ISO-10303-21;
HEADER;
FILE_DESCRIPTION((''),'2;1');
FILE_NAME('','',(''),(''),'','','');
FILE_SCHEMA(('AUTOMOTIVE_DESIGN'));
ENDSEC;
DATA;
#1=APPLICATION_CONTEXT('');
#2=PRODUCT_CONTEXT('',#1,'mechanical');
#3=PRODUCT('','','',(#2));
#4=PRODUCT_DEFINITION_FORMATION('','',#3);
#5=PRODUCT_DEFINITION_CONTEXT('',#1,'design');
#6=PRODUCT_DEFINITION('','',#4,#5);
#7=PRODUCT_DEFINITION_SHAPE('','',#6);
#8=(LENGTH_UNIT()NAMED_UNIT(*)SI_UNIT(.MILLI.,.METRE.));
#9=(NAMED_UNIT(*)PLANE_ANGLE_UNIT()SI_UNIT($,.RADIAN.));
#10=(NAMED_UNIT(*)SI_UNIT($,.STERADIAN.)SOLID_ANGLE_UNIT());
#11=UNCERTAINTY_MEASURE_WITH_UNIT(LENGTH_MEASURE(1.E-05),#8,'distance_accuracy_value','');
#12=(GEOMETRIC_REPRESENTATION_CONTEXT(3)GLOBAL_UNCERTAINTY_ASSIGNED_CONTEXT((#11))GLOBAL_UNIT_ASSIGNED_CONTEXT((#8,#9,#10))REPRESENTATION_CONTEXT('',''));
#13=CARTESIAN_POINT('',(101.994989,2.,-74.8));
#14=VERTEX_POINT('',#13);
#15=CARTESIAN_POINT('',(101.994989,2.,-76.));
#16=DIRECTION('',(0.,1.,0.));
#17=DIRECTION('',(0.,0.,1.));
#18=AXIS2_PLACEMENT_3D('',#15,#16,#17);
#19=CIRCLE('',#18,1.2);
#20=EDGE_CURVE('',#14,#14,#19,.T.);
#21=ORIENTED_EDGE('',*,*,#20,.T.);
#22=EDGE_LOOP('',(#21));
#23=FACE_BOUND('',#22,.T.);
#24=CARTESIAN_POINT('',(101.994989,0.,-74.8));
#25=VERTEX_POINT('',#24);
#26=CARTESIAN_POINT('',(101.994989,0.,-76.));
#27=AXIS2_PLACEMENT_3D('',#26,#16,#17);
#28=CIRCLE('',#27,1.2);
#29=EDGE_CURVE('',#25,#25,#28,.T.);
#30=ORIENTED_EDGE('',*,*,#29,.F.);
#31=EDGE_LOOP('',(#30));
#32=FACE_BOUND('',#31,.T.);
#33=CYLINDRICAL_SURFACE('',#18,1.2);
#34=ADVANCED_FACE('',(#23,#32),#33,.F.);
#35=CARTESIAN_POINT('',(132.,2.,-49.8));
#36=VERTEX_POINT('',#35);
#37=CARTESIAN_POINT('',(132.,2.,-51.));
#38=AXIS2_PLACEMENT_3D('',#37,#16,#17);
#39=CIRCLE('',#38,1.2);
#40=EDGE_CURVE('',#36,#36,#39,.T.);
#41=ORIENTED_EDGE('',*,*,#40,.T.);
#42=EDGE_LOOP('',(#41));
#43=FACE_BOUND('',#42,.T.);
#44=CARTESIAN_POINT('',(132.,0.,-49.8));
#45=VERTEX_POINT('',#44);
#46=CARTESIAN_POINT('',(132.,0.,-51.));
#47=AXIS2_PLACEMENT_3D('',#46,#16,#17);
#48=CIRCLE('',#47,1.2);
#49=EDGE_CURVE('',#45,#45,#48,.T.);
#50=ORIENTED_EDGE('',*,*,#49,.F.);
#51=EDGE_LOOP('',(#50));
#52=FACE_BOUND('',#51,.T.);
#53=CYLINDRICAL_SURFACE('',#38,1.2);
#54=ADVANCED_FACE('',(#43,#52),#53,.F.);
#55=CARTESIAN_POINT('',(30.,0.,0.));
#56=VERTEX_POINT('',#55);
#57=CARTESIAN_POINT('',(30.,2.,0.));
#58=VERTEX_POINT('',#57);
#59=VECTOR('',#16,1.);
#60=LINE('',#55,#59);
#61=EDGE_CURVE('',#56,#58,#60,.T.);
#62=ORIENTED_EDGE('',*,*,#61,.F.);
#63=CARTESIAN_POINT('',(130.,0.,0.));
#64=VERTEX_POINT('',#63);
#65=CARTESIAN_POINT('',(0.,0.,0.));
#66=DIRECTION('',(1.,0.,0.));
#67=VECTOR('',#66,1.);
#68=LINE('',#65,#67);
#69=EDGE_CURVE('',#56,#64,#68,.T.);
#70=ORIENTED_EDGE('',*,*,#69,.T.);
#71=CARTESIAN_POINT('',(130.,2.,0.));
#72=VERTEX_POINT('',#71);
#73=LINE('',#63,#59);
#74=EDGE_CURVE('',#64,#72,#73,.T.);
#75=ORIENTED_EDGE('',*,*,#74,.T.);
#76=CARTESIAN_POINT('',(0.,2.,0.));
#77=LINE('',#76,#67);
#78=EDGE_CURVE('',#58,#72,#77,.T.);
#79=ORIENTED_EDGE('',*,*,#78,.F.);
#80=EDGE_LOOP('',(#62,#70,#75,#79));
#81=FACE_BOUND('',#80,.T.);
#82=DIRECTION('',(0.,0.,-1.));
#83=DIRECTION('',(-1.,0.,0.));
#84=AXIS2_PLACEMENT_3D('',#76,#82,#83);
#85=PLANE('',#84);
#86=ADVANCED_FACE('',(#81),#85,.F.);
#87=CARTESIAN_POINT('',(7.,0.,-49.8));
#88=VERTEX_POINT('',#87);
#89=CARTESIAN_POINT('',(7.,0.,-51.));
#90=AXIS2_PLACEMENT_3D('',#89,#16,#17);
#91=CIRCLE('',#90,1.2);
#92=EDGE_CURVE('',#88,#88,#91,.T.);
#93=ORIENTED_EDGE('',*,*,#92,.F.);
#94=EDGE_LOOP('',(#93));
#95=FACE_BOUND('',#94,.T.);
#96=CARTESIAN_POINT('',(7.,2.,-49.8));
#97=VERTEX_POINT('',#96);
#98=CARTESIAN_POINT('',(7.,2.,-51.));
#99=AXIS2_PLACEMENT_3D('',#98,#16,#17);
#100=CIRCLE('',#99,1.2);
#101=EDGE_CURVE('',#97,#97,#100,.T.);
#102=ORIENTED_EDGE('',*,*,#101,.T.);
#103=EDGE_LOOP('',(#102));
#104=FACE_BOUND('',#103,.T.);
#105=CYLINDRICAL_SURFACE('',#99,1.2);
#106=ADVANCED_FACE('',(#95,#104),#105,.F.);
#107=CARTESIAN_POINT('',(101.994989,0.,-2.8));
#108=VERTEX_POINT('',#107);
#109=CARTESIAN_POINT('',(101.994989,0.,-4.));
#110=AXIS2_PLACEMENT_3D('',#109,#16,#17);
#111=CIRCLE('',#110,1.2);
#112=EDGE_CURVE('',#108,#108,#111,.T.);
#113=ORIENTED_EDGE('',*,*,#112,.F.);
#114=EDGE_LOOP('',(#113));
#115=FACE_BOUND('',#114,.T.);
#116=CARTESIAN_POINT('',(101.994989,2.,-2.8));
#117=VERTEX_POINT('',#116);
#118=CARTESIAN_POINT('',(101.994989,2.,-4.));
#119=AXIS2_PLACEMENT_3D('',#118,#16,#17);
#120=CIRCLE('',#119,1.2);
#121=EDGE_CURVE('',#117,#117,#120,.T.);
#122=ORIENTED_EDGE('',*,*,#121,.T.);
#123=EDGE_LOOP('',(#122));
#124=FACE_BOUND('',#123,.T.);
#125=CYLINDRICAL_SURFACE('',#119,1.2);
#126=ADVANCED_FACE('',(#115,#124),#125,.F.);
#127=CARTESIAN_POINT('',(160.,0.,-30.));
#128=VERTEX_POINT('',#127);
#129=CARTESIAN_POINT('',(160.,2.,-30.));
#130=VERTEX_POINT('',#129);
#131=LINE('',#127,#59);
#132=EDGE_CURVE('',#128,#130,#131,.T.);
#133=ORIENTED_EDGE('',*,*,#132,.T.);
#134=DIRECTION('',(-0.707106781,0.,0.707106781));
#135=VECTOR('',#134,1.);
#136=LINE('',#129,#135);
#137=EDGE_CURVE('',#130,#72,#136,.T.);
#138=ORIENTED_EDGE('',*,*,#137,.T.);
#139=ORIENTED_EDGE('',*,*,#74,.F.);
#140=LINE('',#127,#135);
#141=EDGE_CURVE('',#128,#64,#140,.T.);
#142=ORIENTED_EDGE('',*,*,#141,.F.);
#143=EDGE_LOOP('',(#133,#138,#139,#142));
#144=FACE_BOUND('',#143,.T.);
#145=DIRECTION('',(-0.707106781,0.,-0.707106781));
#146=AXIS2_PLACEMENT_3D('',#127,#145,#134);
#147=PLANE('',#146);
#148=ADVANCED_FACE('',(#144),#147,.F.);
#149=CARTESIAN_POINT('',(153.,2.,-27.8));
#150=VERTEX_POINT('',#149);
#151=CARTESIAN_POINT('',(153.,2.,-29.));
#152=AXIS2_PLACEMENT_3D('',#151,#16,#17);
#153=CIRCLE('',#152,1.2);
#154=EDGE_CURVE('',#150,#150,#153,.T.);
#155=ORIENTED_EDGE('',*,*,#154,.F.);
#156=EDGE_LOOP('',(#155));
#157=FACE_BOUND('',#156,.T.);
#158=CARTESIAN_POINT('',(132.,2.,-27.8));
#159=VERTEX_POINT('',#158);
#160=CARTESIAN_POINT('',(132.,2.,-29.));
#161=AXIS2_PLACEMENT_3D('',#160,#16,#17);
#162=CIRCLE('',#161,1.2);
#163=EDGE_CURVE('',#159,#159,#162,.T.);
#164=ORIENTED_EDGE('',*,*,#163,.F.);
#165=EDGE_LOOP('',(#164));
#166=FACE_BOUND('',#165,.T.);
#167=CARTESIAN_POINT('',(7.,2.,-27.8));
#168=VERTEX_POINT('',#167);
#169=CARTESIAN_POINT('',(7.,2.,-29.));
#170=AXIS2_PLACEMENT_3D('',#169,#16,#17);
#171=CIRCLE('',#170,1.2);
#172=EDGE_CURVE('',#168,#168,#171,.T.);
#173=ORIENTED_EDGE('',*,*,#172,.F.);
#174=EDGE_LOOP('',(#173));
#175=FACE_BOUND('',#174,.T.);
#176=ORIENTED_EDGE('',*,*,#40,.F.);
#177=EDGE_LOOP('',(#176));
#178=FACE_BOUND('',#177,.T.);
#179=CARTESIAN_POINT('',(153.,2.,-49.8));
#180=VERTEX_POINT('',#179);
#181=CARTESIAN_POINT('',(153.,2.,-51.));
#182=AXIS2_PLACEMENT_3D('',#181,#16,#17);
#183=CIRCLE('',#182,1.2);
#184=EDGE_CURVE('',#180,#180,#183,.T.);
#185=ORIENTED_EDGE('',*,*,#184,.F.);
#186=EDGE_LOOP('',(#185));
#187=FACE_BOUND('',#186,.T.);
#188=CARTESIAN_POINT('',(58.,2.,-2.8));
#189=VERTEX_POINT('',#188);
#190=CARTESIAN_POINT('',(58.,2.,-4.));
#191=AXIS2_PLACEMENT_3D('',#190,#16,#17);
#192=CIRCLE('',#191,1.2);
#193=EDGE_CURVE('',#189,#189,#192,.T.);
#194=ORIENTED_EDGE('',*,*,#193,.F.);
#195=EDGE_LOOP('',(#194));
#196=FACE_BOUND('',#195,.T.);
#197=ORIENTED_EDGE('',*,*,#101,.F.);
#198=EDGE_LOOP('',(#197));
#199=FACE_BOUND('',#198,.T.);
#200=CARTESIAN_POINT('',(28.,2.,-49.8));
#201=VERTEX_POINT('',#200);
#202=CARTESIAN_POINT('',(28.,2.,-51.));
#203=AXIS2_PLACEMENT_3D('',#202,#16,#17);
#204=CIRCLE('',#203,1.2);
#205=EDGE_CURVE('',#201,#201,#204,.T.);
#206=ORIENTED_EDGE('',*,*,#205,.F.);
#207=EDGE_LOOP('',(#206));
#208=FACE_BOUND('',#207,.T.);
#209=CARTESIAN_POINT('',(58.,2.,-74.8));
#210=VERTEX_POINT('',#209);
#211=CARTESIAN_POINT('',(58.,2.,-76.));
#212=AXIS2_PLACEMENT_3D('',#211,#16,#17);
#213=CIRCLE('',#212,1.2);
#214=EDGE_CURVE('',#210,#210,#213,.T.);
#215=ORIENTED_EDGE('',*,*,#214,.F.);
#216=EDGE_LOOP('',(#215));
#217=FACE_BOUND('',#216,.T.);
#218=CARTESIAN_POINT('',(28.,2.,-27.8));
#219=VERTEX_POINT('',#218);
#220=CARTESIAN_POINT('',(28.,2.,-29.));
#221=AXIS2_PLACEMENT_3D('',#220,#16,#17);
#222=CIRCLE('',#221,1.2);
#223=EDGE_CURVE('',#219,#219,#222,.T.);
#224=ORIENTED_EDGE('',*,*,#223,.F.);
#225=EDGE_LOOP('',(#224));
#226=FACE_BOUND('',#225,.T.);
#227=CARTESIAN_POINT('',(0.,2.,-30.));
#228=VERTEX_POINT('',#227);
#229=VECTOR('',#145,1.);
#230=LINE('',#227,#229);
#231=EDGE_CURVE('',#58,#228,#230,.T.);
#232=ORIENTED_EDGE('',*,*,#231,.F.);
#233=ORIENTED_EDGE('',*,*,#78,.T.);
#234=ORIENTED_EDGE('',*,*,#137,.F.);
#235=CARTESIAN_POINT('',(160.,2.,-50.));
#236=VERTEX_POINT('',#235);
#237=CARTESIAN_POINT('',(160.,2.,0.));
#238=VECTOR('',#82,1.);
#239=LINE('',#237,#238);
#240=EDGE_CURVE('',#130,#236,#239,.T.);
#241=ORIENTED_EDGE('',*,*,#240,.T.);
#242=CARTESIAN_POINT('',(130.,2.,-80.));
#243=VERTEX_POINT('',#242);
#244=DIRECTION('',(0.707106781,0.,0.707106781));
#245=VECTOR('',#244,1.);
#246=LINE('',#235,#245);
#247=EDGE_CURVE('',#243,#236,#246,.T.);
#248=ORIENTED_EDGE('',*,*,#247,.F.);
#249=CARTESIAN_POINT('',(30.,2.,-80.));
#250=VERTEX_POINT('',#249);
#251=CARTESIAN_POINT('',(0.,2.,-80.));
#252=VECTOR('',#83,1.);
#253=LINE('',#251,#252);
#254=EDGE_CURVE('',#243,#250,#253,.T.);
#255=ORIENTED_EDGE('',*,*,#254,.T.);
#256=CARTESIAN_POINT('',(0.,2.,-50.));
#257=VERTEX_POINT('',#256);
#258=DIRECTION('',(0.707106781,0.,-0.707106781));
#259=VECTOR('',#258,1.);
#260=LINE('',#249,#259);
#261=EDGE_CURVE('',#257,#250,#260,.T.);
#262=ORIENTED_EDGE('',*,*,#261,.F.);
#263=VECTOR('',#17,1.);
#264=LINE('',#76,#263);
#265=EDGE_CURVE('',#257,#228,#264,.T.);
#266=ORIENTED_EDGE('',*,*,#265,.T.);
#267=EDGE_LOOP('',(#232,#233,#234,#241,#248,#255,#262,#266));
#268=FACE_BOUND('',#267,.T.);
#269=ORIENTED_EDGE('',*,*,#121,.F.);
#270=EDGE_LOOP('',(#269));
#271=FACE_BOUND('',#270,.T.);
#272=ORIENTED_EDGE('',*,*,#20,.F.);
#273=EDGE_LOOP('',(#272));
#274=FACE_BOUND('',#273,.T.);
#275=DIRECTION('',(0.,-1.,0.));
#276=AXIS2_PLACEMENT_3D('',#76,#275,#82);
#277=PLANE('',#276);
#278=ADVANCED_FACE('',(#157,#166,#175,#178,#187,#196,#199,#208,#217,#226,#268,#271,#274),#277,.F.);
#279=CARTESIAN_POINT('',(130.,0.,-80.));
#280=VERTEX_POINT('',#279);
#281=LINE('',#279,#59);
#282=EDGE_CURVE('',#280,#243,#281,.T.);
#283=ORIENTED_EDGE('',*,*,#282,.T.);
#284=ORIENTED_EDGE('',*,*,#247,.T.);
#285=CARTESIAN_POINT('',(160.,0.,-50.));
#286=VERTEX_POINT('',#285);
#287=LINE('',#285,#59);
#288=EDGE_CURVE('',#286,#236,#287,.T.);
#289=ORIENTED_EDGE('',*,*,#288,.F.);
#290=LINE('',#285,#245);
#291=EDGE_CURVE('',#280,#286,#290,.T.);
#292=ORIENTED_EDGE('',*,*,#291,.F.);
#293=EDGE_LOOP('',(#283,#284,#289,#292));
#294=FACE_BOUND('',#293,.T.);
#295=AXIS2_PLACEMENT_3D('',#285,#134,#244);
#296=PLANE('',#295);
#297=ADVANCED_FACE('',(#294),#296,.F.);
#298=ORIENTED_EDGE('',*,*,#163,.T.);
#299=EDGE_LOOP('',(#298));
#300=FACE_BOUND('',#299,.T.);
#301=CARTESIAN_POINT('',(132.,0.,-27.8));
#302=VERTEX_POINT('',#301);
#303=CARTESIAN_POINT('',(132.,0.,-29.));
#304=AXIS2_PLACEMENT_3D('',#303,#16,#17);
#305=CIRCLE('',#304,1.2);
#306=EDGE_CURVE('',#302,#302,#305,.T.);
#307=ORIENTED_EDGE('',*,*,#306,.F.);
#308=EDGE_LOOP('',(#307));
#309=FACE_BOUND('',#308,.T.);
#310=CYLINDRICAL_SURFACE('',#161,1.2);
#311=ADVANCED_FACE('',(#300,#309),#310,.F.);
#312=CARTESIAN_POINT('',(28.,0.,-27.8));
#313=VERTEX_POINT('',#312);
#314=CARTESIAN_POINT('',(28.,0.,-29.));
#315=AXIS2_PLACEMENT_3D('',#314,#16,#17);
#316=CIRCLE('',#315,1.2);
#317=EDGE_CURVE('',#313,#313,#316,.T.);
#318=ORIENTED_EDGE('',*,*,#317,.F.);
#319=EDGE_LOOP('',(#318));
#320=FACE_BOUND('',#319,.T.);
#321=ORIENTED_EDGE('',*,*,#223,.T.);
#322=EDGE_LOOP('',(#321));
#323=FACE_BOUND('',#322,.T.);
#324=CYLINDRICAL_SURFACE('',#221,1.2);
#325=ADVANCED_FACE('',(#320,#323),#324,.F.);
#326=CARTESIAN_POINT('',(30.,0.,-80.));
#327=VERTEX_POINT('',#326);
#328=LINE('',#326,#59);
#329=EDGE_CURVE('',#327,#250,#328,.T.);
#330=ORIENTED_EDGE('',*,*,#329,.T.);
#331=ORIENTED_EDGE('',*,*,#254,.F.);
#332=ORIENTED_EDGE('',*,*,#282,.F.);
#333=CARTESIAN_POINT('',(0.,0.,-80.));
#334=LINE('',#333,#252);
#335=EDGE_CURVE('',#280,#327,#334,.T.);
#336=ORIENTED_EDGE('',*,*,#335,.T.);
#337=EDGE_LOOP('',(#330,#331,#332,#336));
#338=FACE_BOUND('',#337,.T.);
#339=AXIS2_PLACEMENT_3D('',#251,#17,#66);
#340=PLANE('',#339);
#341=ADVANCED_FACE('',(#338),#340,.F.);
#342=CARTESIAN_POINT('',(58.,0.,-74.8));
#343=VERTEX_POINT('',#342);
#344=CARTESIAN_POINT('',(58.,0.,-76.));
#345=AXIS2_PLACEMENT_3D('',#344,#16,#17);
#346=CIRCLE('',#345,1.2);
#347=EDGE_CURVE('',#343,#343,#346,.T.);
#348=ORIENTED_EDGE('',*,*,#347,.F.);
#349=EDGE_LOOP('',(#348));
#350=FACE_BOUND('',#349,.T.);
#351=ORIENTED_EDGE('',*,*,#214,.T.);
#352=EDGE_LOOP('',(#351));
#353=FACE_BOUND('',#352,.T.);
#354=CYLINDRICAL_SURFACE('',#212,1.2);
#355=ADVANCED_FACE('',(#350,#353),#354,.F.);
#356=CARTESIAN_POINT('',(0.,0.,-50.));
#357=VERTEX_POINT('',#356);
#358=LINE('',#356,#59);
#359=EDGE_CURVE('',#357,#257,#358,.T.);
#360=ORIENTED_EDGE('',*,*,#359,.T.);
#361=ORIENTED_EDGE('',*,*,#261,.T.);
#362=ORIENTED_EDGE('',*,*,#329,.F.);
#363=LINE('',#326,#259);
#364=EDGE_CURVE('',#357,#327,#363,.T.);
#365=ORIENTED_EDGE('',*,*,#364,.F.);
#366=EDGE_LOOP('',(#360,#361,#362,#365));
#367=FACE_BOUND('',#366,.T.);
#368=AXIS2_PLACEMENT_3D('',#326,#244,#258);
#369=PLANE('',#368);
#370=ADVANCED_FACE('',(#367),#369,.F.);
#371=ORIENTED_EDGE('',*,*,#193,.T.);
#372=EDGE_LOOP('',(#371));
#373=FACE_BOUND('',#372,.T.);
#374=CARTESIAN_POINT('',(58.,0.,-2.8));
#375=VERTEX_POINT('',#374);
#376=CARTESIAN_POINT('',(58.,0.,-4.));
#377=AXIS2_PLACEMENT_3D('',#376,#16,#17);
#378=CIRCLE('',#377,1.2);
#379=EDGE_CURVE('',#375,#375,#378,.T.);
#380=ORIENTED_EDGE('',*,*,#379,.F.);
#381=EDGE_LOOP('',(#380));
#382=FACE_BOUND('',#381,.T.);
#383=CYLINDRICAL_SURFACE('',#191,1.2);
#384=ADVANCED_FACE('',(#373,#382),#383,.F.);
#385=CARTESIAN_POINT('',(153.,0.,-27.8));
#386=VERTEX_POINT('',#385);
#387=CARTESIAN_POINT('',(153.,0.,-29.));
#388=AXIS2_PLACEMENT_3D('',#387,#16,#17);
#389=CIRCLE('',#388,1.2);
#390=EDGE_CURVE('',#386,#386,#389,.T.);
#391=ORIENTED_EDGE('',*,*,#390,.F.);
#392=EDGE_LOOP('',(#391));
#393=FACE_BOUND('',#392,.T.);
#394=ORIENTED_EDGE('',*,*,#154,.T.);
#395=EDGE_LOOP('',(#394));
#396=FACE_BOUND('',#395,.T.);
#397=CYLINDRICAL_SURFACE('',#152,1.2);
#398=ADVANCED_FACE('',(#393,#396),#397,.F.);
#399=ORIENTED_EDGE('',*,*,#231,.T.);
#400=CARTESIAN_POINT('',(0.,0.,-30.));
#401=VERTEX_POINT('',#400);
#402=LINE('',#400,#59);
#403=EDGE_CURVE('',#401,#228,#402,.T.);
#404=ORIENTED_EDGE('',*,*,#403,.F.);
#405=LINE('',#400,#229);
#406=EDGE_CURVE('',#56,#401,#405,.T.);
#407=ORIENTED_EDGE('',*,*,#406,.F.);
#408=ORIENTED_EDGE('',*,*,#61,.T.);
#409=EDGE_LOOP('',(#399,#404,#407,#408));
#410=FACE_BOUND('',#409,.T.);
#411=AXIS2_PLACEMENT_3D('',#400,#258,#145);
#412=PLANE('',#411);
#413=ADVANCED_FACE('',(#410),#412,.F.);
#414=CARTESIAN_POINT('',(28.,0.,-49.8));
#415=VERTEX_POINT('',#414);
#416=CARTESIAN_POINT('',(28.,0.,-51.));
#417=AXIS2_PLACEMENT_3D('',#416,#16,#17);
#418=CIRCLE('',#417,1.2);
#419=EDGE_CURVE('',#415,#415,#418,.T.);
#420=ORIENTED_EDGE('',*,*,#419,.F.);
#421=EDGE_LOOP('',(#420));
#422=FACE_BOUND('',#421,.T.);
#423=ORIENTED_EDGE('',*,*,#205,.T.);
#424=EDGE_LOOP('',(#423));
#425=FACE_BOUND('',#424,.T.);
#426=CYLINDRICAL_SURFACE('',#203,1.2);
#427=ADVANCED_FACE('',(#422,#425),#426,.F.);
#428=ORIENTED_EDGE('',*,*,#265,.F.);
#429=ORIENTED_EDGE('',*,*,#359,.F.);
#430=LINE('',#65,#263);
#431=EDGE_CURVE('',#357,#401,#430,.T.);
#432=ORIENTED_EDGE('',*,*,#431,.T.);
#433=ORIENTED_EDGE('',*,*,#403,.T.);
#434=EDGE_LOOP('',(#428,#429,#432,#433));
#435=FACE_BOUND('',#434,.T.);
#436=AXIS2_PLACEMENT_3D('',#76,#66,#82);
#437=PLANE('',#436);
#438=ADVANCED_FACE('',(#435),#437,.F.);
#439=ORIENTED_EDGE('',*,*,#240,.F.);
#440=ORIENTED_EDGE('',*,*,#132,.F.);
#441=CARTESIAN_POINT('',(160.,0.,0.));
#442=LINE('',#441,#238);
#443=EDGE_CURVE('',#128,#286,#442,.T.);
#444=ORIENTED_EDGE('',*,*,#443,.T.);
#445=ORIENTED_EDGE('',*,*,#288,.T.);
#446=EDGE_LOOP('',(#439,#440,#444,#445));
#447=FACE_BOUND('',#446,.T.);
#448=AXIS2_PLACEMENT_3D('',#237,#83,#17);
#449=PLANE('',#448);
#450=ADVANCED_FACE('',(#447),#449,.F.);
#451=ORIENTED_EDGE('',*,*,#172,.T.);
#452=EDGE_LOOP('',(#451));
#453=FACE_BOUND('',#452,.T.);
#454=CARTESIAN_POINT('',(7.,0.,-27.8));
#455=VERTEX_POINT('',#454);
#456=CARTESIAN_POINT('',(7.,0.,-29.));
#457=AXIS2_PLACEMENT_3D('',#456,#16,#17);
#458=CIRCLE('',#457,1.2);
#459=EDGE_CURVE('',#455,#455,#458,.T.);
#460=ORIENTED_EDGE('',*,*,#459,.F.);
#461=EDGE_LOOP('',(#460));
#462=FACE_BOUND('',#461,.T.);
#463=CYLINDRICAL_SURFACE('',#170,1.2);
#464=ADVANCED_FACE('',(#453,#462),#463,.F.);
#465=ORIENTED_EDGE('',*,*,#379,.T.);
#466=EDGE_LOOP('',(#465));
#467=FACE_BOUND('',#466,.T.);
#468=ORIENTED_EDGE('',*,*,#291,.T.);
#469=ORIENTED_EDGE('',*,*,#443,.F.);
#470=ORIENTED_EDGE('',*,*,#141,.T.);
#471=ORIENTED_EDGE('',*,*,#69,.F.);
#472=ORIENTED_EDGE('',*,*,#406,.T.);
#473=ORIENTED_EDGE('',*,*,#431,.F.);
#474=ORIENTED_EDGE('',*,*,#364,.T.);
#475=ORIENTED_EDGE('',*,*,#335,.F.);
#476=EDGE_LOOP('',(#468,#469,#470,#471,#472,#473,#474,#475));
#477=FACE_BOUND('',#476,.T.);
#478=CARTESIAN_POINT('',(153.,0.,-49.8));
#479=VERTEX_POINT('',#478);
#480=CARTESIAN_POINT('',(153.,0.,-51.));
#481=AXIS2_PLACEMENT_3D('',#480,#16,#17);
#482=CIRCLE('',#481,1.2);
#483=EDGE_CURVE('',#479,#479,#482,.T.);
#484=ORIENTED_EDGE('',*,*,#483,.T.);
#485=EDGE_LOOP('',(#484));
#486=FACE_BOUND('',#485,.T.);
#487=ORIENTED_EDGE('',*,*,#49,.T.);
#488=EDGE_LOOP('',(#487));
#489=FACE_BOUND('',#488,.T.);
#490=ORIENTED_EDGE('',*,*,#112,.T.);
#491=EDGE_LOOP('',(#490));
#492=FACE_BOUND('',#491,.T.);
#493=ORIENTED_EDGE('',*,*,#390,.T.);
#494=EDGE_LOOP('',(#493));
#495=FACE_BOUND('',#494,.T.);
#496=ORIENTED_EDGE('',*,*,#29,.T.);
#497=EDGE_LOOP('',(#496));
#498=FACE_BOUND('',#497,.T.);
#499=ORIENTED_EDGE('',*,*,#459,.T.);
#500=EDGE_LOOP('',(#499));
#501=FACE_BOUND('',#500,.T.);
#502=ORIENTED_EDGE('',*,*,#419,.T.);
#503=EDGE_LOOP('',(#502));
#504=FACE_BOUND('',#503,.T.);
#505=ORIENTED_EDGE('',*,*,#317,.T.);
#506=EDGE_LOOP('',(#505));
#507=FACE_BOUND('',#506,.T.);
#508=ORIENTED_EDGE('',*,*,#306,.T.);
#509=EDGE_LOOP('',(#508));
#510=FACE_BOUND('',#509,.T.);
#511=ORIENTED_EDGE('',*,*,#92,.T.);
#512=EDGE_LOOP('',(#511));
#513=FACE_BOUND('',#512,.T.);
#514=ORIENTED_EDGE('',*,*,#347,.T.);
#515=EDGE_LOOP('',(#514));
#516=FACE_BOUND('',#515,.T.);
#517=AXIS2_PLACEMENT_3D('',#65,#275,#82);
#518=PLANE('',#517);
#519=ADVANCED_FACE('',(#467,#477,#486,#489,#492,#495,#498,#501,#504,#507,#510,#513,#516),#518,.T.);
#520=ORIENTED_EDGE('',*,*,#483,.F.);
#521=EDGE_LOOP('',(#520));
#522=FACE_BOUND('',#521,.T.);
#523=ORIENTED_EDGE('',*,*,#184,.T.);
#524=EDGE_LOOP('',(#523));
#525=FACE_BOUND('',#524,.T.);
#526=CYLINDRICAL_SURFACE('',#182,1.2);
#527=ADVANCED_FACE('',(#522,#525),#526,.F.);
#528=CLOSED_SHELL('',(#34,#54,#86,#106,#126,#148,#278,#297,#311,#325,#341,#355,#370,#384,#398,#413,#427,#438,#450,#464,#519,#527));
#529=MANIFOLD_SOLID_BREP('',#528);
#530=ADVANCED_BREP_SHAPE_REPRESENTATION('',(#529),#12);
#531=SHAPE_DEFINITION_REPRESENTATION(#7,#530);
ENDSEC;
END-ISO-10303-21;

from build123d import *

# Parameters (mm, degrees)
ESQUISSE1_W             = 160
ESQUISSE1_H             = 80
BOSS_EXTRU_1_DEPTH      = 2
ENL_V_MAT_EXTRU_1_DEPTH = 2
D_GAGEMENT_M21_D        = 2.4


with BuildPart() as part:
    # Esquisse1 → Boss.-Extru.1 (new body)
    with BuildSketch(Plane(origin=(0, 0, 0), x_dir=(1, 0, 0), z_dir=(0, 1, 0))):
        with Locations((80, 40)):
            Rectangle(ESQUISSE1_W, ESQUISSE1_H)
    extrude(amount=BOSS_EXTRU_1_DEPTH)

    # Esquisse2 → Enlèv. mat.-Extru.1 (cut)
    with BuildSketch(Plane(origin=(0, 2, 0), x_dir=(1, 0, 0), z_dir=(0, 1, 0))):
        Polygon((0, 30), (30, 0), (0, 0), align=None)
        Polygon((30, 80), (0, 50), (0, 80), align=None)
        Polygon((130, 80), (160, 80), (160, 50), align=None)
        Polygon((160, 30), (130, 0), (160, 0), align=None)
    extrude(amount=-ENL_V_MAT_EXTRU_1_DEPTH, mode=Mode.SUBTRACT)

    # Dégagement M21 (through all)
    with Locations(Plane(origin=(0, 2, 0), x_dir=(1, 0, 0), z_dir=(0, 1, 0))):
        with Locations((7, 51), (7, 29), (28, 29), (28, 51), (58, 76), (58, 4), (132, 29), (153, 29), (153, 51), (132, 51), (101.994988581, 76), (101.994988581, 4)):
            Hole(D_GAGEMENT_M21_D / 2)


solid = part.part
